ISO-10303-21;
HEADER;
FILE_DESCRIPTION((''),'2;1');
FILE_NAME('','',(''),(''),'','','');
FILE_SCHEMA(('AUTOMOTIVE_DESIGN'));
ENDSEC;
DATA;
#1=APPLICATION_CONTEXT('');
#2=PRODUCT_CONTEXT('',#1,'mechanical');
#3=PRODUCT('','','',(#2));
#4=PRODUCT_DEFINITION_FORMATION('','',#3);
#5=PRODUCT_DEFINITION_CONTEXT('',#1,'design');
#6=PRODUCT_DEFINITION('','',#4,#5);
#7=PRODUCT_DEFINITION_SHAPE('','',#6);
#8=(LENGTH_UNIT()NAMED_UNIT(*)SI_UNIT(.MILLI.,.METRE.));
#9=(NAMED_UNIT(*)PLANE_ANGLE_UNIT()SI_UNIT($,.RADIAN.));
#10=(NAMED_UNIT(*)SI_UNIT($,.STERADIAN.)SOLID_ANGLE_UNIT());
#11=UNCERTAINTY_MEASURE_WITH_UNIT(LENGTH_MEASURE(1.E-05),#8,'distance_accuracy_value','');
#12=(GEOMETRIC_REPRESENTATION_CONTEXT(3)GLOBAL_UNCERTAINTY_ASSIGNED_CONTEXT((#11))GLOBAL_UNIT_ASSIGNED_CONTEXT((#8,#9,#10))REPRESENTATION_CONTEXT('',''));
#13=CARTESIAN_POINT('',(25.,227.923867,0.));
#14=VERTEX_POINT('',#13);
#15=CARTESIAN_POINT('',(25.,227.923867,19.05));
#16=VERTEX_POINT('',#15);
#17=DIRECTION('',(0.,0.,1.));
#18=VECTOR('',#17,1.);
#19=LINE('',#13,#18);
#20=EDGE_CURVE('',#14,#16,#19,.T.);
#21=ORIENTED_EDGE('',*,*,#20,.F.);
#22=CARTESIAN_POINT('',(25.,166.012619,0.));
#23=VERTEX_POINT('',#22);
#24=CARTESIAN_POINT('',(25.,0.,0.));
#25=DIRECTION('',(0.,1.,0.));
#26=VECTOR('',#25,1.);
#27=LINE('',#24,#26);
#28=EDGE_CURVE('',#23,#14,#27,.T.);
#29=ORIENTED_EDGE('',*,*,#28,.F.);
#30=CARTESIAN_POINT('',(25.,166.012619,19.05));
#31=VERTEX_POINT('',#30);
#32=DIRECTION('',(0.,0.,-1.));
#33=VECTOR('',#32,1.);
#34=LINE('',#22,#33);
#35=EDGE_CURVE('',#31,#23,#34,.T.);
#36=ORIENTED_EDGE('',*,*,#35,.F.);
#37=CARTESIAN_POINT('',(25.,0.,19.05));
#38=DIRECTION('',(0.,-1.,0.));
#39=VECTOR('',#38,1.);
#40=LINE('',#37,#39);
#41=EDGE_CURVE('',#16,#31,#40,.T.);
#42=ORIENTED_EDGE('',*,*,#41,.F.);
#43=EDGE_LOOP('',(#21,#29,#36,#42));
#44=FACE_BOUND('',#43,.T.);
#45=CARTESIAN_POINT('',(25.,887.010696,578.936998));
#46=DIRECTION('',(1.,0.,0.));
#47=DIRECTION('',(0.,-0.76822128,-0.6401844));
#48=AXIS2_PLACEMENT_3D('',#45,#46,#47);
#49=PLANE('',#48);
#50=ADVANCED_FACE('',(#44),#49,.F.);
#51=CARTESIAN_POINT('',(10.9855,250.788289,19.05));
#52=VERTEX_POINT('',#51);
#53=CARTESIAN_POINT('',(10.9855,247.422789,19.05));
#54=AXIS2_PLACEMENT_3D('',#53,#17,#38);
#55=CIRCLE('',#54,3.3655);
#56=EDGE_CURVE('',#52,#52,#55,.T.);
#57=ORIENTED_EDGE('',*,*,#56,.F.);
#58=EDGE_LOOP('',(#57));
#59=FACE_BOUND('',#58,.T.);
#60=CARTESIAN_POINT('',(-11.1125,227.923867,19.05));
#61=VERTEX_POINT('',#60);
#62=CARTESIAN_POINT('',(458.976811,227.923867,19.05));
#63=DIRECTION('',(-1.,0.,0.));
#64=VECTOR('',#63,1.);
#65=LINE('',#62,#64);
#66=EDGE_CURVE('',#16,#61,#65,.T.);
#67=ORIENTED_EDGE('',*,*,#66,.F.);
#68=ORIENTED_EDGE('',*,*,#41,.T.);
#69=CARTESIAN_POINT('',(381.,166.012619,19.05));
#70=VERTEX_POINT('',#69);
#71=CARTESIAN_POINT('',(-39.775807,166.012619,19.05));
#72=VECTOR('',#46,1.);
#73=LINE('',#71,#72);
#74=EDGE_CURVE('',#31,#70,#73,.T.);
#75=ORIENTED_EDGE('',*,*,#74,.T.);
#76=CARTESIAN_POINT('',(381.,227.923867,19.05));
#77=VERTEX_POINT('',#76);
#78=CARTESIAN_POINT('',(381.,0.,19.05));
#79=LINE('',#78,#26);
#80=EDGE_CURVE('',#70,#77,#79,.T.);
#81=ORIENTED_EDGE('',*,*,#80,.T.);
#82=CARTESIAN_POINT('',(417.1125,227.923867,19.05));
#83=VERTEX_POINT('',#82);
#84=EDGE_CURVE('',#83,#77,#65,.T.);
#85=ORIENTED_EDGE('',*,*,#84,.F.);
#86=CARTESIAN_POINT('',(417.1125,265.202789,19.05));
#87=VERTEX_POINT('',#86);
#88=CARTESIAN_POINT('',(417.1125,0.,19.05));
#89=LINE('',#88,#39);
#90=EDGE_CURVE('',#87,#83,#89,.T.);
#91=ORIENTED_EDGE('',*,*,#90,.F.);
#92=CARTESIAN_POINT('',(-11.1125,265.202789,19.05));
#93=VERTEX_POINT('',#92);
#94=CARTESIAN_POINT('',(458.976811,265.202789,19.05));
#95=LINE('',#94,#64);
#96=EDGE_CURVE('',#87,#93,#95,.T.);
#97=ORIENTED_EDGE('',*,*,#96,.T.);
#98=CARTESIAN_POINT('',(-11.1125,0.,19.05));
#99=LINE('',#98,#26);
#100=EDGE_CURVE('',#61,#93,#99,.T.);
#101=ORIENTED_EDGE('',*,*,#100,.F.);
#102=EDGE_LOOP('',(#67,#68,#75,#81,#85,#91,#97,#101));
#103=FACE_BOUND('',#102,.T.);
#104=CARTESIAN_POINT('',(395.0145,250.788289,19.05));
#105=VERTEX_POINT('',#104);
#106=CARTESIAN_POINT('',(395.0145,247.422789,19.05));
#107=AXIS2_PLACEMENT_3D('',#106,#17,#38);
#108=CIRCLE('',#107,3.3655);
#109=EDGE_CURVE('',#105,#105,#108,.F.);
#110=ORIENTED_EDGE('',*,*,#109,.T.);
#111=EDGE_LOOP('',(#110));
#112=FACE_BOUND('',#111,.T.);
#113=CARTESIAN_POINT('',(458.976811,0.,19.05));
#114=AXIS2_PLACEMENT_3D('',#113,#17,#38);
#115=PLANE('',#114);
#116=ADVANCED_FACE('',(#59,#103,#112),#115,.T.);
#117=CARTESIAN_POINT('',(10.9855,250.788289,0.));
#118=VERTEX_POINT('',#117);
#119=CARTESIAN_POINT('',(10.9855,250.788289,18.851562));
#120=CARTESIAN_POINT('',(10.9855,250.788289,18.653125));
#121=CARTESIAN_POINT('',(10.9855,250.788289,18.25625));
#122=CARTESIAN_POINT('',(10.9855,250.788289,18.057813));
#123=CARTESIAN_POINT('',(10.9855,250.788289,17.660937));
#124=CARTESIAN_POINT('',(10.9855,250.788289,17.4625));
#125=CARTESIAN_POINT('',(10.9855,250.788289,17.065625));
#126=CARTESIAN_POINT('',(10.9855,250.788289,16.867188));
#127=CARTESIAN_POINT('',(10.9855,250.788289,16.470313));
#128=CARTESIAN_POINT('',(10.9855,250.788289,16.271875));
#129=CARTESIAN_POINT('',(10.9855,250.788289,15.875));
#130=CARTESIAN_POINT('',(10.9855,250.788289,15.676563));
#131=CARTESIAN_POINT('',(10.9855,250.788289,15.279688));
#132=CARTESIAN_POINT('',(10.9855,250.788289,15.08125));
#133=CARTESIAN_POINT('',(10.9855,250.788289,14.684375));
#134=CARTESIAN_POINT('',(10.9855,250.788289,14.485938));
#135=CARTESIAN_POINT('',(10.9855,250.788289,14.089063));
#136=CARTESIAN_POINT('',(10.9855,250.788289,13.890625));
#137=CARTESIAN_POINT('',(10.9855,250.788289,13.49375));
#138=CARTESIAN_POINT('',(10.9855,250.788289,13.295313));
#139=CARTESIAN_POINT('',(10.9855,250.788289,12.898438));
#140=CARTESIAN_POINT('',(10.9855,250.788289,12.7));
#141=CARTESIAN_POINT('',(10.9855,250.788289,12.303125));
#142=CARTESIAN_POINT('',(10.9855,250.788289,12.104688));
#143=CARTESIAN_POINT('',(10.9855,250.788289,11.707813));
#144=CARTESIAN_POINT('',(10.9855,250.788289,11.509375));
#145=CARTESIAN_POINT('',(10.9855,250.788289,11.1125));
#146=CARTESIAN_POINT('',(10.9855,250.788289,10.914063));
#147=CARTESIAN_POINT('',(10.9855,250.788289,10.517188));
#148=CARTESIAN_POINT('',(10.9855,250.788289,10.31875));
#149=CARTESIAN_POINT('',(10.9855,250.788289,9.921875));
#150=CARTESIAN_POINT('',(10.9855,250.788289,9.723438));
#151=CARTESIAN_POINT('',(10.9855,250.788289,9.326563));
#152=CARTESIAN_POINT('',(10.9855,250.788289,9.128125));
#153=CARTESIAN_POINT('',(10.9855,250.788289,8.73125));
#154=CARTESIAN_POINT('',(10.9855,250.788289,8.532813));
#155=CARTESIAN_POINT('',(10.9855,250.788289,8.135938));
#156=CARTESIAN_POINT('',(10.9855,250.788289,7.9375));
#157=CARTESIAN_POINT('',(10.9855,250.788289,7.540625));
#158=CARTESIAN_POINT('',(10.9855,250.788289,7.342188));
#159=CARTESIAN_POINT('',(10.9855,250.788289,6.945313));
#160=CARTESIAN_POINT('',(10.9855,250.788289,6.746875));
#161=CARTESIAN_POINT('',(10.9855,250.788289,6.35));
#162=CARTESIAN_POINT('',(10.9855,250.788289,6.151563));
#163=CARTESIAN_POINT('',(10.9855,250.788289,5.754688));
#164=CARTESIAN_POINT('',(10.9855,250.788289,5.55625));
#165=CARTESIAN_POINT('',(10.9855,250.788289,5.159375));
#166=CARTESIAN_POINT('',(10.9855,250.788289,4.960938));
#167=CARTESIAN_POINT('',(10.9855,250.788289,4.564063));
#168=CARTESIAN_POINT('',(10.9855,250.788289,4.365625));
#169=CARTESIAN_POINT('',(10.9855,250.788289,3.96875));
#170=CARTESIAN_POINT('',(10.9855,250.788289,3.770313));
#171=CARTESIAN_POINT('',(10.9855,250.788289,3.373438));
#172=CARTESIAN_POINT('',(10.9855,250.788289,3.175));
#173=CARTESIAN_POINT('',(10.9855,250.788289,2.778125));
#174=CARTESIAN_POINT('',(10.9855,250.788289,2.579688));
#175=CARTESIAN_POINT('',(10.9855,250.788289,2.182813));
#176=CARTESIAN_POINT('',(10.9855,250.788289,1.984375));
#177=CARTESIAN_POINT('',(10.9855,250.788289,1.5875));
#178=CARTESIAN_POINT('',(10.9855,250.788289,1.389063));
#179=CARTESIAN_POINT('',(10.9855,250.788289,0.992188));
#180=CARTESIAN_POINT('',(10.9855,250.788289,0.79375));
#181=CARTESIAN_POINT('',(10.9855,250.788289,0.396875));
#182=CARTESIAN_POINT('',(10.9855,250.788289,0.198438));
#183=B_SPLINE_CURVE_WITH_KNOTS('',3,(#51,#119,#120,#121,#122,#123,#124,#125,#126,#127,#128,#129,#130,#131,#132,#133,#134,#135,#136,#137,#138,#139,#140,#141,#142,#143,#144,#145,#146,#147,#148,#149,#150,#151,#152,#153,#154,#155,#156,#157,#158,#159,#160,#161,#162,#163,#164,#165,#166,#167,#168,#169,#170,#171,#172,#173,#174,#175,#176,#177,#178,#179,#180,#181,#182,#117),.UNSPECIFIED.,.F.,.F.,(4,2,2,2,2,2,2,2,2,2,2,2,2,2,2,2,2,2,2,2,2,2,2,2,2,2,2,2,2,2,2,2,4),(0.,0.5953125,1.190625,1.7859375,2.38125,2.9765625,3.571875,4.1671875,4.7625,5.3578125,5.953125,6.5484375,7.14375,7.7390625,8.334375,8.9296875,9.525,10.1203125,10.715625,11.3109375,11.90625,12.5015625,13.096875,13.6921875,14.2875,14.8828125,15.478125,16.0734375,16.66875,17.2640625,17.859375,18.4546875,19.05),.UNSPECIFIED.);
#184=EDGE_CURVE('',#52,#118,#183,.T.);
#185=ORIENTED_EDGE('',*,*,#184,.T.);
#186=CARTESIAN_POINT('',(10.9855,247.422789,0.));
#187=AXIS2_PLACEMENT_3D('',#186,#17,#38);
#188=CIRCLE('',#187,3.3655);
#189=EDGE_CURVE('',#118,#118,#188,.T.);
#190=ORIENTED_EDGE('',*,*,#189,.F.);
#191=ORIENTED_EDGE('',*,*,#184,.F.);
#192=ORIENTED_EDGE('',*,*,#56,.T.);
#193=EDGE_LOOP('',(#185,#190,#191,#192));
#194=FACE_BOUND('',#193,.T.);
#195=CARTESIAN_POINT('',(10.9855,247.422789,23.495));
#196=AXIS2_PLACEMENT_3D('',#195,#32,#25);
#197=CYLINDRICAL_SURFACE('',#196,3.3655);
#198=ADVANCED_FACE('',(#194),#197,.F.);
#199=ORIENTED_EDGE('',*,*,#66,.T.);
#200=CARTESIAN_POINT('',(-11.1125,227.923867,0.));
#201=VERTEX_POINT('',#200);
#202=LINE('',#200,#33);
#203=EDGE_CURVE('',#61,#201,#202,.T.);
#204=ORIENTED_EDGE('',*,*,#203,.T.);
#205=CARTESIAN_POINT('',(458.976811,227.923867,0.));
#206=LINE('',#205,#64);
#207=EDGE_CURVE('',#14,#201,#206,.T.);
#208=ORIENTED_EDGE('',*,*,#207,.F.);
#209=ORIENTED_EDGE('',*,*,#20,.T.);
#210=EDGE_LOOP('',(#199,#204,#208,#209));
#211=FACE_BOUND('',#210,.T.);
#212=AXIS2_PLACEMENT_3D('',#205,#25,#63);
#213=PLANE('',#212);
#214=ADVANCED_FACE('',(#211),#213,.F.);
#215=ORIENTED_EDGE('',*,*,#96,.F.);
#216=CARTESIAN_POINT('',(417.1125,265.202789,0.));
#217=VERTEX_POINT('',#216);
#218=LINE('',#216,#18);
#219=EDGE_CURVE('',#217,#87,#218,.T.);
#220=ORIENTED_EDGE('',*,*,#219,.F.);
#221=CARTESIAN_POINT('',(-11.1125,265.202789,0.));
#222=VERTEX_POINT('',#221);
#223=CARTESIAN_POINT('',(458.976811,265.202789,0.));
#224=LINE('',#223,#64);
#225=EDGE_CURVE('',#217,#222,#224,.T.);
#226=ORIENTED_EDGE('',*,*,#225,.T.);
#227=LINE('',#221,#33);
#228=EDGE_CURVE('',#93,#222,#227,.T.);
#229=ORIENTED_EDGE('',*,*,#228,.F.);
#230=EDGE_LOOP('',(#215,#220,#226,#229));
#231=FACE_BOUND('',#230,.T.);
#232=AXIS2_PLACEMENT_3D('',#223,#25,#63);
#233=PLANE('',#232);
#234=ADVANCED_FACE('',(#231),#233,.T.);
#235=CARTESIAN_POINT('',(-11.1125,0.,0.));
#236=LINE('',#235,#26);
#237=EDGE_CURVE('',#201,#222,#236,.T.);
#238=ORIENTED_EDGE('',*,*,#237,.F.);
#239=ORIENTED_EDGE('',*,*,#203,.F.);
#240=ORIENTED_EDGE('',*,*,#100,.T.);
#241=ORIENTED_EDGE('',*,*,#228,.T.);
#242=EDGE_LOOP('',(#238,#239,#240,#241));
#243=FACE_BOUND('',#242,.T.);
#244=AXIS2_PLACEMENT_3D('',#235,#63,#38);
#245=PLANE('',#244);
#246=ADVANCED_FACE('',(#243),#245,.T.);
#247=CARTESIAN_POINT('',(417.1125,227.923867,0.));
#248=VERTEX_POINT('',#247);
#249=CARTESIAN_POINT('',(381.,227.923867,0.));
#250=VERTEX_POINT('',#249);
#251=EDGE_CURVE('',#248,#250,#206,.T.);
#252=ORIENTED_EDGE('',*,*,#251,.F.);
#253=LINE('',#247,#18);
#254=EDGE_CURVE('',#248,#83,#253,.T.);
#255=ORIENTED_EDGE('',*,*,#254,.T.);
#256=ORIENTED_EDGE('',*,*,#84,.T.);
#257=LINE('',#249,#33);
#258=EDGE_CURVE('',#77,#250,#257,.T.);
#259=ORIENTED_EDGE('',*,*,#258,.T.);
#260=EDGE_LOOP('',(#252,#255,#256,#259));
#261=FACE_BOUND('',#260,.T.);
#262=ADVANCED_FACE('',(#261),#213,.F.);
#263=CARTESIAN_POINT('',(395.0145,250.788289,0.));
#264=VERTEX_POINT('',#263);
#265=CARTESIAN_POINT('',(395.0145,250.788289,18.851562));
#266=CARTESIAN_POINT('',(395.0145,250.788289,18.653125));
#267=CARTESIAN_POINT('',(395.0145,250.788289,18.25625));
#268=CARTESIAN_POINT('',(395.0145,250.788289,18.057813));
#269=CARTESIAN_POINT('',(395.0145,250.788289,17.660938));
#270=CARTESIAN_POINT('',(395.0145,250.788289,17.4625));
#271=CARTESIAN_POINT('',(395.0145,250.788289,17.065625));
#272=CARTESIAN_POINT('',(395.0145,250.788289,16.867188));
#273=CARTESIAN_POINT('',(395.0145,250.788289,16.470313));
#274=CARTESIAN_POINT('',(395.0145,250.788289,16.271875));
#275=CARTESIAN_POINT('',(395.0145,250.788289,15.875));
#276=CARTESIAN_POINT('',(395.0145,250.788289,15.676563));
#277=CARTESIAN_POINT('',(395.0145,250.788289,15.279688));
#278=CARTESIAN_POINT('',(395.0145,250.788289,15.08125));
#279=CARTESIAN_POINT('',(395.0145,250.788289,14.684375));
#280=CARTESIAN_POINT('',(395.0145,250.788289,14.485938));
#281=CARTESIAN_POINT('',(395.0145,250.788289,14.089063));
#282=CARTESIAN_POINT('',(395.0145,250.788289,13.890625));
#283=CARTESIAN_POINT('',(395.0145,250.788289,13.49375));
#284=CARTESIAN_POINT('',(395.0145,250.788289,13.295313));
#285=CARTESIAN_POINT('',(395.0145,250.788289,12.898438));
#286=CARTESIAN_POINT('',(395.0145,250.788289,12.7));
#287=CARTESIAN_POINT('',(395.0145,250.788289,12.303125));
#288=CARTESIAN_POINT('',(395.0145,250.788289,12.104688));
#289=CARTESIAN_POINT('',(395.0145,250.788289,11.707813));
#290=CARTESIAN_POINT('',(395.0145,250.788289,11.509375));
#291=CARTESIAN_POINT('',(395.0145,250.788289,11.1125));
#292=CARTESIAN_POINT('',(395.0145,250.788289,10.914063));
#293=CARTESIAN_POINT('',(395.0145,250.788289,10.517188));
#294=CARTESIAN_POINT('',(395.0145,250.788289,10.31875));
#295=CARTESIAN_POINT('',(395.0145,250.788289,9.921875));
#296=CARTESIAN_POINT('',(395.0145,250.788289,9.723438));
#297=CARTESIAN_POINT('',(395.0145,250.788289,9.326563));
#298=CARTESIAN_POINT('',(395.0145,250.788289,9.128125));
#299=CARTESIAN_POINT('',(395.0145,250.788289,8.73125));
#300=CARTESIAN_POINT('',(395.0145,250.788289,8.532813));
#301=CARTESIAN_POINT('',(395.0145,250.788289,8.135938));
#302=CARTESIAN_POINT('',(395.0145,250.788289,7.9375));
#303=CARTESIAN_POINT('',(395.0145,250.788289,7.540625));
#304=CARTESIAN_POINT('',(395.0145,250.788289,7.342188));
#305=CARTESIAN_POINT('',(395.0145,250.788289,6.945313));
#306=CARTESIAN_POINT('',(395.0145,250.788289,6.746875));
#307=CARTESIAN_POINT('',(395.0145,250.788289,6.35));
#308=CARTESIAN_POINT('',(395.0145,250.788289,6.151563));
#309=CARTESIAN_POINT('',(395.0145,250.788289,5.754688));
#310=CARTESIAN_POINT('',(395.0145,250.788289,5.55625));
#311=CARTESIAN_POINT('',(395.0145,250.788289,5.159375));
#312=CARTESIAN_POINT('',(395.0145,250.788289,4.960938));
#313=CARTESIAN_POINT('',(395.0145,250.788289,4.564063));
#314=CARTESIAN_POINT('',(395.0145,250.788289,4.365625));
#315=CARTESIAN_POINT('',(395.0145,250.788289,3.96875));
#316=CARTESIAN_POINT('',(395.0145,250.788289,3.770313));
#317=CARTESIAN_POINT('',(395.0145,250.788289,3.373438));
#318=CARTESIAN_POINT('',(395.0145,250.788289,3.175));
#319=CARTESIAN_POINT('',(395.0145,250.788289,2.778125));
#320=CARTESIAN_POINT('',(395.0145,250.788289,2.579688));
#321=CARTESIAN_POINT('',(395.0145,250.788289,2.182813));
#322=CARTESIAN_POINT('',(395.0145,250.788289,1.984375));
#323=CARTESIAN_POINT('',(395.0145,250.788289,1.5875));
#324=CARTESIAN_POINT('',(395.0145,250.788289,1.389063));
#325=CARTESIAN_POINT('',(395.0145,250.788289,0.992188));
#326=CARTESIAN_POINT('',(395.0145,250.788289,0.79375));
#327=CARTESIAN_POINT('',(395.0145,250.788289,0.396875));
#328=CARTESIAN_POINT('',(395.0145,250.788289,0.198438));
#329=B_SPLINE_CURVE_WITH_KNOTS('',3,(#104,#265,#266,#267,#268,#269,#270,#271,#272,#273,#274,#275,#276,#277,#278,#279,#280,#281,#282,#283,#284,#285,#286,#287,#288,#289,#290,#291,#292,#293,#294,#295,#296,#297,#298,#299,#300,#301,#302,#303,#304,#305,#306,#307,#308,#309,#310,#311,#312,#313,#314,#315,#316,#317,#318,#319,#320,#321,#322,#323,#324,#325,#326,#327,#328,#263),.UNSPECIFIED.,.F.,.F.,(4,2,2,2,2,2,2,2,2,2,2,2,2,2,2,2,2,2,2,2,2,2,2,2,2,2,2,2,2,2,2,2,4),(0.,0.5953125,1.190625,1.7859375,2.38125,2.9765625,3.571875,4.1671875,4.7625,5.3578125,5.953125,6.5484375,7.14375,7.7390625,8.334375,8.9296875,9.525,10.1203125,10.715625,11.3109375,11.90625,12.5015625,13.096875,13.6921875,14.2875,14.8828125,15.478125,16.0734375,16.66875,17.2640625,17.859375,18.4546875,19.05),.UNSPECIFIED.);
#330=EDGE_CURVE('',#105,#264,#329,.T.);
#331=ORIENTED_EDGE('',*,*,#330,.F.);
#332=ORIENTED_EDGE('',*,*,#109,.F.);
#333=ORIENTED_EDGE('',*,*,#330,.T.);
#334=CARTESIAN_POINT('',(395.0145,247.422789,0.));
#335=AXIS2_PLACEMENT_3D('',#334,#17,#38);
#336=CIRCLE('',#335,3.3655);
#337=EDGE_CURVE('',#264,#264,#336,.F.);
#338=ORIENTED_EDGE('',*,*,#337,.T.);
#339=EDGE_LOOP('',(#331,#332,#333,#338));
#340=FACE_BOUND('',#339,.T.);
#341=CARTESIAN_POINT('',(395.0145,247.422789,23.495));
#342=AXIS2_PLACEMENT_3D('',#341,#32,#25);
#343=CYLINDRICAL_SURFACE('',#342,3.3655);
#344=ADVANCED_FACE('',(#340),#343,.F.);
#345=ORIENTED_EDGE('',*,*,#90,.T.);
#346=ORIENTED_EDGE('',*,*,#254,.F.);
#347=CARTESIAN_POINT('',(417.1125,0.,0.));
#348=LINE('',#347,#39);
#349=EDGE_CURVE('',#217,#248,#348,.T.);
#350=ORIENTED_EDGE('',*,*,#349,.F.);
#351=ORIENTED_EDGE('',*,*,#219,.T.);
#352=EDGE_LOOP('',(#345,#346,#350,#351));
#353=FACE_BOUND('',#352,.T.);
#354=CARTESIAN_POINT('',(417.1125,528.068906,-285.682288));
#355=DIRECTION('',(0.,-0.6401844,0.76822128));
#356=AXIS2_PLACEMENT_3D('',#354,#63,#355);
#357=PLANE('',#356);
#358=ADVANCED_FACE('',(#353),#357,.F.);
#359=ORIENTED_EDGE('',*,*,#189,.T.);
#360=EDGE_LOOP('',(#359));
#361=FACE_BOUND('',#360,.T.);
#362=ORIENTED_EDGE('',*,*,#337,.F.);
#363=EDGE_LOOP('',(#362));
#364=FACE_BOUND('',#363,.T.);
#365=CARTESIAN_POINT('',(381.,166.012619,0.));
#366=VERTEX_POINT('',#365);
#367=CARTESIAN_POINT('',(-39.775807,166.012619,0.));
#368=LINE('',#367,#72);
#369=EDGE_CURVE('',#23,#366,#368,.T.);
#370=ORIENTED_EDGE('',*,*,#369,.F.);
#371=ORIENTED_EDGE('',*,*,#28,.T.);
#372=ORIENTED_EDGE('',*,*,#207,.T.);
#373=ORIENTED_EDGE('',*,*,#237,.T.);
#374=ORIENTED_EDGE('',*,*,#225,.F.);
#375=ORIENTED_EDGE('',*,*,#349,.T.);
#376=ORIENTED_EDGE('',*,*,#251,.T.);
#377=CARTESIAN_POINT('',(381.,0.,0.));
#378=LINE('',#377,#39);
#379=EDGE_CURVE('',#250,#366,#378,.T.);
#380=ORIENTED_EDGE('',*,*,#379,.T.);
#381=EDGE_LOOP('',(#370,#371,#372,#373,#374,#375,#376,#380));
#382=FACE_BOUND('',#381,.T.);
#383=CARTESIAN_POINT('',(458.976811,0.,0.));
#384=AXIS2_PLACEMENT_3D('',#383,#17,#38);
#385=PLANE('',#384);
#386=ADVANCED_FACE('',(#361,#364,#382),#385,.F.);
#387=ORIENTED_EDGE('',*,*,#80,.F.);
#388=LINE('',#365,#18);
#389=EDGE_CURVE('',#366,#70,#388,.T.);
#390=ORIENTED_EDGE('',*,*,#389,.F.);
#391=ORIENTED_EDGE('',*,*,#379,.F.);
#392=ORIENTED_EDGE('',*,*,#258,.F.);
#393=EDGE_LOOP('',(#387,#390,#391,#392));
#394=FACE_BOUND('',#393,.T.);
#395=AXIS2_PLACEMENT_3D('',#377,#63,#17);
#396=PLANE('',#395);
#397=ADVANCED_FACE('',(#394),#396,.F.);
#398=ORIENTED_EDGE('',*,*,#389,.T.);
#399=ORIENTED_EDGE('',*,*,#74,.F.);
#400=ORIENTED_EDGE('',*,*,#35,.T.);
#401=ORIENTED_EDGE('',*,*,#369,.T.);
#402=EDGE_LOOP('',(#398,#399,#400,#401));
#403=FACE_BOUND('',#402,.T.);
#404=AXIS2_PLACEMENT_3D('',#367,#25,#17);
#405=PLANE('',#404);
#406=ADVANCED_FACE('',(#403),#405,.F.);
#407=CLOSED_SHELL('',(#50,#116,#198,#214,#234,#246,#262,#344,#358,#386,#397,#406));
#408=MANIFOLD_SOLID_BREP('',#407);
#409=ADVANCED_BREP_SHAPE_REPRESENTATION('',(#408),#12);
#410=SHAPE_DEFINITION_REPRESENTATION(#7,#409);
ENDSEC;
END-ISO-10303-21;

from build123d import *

# Parameters (mm, degrees)
SKETCH2_W           = 19.05
SKETCH2_H           = 37.278922504
BOSS_EXTRUDE1_DEPTH = 428.225
BOSS_EXTRUDE2_DEPTH = 356
SKETCH6_R           = 3.3655
CUT_EXTRUDE1_DEPTH  = 25.4


with BuildPart() as part:
    # Sketch2 → Boss-Extrude1 (new body)
    with BuildSketch(Plane.ZY.offset(11.1125)):
        with Locations((9.525, 246.563328153)):
            Rectangle(SKETCH2_W, SKETCH2_H)
    extrude(amount=-BOSS_EXTRUDE1_DEPTH)

    # Sketch5 → Boss-Extrude2 (add)
    with BuildSketch(Plane.ZY.offset(-381)):
        Polygon((19.05, 227.923866901), (0, 227.923866901), (0, 201.997670401), (19.05, 224.857670401), align=None)
        Polygon((19.05, 224.857670401), (0, 201.997670401), (0, 192.286298431), (19.05, 215.146298431), align=None)
        Polygon((19.05, 215.146298431), (0, 192.286298431), (0, 166.012618521), (19.05, 188.872618521), align=None)
        Polygon((0, 166.012618521), (19.05, 166.012618521), (19.05, 188.872618521), align=None)
    extrude(amount=BOSS_EXTRUDE2_DEPTH)

    # Sketch6 → Cut-Extrude1 (cut)
    with BuildSketch(Plane(origin=(203, 213.395866862, -1.905), x_dir=(-1, 0, 0), z_dir=(0, 0, -1))):
        with Locations(Location((192.0145, 34.026922543, 0), (0, 0, 90))):
            Circle(SKETCH6_R)
    cut_extrude1 = extrude(amount=-CUT_EXTRUDE1_DEPTH, mode=Mode.SUBTRACT)

    # Mirror1: Cut-Extrude1 across plane
    add(cut_extrude1.mirror(Plane.ZY.offset(-203)), mode=Mode.SUBTRACT)


solid = part.part
